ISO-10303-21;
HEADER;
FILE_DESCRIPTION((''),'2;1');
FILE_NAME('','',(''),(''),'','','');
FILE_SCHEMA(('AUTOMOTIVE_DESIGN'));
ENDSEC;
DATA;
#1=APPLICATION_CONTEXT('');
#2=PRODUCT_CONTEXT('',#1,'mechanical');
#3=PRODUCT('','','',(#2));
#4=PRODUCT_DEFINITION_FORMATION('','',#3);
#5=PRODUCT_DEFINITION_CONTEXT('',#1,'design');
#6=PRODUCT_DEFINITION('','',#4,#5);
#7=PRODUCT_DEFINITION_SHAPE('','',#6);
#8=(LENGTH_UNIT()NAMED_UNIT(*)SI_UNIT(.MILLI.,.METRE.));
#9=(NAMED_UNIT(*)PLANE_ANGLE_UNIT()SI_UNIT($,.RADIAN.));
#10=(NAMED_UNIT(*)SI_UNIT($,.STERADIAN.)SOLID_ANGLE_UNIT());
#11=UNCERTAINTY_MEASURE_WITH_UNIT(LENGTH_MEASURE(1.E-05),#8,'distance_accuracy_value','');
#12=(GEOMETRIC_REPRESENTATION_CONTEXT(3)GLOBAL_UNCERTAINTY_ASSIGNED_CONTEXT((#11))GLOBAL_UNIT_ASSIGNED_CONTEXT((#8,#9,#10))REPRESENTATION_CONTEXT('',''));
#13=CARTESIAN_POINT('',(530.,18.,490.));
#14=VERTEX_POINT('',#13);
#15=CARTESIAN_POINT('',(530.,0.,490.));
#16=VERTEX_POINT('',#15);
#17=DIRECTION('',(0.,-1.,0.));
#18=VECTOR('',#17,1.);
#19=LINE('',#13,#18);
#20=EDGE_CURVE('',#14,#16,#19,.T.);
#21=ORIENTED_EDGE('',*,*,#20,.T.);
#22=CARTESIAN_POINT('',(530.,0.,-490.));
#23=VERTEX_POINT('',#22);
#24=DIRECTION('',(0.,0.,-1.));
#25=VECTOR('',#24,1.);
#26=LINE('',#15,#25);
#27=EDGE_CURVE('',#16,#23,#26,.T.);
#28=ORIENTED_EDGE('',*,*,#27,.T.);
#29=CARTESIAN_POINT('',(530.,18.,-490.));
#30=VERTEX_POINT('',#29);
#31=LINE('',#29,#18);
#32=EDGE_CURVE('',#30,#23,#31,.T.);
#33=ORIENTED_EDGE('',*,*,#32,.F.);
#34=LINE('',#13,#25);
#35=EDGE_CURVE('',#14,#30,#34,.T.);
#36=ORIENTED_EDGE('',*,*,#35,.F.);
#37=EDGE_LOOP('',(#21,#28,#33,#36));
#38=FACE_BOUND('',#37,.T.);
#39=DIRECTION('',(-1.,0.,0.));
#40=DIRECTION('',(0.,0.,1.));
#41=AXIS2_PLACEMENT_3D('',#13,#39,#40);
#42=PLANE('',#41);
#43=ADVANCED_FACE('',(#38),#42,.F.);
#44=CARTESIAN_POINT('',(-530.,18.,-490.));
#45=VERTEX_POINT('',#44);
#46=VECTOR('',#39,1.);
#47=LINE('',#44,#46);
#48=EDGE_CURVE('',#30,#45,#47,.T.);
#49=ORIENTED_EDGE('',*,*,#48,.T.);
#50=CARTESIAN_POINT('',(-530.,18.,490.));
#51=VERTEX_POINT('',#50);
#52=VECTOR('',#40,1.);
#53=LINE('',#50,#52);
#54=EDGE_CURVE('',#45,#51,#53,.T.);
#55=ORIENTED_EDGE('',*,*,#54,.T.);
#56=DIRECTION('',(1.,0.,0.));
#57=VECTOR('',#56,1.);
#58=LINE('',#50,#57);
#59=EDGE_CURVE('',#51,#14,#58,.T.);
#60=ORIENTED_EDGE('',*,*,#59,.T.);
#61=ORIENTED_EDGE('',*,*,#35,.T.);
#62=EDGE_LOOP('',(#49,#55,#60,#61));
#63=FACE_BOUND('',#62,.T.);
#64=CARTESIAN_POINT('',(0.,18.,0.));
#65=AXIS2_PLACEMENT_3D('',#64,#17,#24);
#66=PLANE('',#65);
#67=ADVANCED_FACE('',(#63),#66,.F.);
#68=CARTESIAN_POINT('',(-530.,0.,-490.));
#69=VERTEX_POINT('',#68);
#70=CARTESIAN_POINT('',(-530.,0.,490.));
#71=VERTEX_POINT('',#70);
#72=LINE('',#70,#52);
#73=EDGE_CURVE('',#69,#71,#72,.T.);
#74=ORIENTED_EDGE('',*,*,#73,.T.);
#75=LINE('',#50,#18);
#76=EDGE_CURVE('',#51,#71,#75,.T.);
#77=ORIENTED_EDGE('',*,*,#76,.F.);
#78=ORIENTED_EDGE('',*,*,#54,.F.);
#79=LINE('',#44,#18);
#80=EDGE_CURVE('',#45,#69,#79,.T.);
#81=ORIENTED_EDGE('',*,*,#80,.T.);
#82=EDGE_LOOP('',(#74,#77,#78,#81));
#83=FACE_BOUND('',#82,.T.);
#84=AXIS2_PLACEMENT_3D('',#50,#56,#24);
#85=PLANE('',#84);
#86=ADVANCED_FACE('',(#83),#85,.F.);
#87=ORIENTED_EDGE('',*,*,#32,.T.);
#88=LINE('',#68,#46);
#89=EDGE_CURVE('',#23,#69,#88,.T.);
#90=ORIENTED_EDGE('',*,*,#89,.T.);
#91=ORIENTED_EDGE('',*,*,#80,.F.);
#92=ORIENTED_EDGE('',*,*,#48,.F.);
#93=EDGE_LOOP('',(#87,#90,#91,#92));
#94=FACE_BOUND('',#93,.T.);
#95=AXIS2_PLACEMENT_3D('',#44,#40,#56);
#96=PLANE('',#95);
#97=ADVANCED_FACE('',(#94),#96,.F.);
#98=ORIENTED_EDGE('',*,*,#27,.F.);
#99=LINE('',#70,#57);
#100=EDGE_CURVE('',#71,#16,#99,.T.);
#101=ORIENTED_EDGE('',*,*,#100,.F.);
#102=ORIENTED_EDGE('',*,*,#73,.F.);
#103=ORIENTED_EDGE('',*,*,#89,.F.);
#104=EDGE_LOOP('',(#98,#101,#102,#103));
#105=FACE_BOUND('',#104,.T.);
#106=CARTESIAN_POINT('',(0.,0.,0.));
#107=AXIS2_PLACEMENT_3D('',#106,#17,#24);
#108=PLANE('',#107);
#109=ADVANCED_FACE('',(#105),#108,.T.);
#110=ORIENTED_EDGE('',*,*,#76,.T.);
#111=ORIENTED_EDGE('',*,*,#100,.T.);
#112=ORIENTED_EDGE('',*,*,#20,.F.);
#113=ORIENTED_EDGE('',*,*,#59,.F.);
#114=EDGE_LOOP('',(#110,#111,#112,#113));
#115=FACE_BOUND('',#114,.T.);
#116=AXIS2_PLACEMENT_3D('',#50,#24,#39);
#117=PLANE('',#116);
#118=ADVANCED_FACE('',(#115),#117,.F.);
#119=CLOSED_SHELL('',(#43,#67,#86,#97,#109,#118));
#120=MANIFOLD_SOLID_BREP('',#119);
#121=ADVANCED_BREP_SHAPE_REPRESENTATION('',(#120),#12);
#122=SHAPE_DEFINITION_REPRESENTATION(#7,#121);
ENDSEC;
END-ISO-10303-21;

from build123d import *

# Parameters (mm, degrees)
CROQUIS_REPISA_W         = 1060
CROQUIS_REPISA_H         = 980
REPISA_1060X980X18_DEPTH = 18


with BuildPart() as part:
    # Croquis_repisa → Repisa_1060x980x18 (new body)
    with BuildSketch(Plane(origin=(0, 0, 0), x_dir=(1, 0, 0), z_dir=(0, 1, 0))):
        Rectangle(CROQUIS_REPISA_W, CROQUIS_REPISA_H)
    extrude(amount=REPISA_1060X980X18_DEPTH)


solid = part.part
